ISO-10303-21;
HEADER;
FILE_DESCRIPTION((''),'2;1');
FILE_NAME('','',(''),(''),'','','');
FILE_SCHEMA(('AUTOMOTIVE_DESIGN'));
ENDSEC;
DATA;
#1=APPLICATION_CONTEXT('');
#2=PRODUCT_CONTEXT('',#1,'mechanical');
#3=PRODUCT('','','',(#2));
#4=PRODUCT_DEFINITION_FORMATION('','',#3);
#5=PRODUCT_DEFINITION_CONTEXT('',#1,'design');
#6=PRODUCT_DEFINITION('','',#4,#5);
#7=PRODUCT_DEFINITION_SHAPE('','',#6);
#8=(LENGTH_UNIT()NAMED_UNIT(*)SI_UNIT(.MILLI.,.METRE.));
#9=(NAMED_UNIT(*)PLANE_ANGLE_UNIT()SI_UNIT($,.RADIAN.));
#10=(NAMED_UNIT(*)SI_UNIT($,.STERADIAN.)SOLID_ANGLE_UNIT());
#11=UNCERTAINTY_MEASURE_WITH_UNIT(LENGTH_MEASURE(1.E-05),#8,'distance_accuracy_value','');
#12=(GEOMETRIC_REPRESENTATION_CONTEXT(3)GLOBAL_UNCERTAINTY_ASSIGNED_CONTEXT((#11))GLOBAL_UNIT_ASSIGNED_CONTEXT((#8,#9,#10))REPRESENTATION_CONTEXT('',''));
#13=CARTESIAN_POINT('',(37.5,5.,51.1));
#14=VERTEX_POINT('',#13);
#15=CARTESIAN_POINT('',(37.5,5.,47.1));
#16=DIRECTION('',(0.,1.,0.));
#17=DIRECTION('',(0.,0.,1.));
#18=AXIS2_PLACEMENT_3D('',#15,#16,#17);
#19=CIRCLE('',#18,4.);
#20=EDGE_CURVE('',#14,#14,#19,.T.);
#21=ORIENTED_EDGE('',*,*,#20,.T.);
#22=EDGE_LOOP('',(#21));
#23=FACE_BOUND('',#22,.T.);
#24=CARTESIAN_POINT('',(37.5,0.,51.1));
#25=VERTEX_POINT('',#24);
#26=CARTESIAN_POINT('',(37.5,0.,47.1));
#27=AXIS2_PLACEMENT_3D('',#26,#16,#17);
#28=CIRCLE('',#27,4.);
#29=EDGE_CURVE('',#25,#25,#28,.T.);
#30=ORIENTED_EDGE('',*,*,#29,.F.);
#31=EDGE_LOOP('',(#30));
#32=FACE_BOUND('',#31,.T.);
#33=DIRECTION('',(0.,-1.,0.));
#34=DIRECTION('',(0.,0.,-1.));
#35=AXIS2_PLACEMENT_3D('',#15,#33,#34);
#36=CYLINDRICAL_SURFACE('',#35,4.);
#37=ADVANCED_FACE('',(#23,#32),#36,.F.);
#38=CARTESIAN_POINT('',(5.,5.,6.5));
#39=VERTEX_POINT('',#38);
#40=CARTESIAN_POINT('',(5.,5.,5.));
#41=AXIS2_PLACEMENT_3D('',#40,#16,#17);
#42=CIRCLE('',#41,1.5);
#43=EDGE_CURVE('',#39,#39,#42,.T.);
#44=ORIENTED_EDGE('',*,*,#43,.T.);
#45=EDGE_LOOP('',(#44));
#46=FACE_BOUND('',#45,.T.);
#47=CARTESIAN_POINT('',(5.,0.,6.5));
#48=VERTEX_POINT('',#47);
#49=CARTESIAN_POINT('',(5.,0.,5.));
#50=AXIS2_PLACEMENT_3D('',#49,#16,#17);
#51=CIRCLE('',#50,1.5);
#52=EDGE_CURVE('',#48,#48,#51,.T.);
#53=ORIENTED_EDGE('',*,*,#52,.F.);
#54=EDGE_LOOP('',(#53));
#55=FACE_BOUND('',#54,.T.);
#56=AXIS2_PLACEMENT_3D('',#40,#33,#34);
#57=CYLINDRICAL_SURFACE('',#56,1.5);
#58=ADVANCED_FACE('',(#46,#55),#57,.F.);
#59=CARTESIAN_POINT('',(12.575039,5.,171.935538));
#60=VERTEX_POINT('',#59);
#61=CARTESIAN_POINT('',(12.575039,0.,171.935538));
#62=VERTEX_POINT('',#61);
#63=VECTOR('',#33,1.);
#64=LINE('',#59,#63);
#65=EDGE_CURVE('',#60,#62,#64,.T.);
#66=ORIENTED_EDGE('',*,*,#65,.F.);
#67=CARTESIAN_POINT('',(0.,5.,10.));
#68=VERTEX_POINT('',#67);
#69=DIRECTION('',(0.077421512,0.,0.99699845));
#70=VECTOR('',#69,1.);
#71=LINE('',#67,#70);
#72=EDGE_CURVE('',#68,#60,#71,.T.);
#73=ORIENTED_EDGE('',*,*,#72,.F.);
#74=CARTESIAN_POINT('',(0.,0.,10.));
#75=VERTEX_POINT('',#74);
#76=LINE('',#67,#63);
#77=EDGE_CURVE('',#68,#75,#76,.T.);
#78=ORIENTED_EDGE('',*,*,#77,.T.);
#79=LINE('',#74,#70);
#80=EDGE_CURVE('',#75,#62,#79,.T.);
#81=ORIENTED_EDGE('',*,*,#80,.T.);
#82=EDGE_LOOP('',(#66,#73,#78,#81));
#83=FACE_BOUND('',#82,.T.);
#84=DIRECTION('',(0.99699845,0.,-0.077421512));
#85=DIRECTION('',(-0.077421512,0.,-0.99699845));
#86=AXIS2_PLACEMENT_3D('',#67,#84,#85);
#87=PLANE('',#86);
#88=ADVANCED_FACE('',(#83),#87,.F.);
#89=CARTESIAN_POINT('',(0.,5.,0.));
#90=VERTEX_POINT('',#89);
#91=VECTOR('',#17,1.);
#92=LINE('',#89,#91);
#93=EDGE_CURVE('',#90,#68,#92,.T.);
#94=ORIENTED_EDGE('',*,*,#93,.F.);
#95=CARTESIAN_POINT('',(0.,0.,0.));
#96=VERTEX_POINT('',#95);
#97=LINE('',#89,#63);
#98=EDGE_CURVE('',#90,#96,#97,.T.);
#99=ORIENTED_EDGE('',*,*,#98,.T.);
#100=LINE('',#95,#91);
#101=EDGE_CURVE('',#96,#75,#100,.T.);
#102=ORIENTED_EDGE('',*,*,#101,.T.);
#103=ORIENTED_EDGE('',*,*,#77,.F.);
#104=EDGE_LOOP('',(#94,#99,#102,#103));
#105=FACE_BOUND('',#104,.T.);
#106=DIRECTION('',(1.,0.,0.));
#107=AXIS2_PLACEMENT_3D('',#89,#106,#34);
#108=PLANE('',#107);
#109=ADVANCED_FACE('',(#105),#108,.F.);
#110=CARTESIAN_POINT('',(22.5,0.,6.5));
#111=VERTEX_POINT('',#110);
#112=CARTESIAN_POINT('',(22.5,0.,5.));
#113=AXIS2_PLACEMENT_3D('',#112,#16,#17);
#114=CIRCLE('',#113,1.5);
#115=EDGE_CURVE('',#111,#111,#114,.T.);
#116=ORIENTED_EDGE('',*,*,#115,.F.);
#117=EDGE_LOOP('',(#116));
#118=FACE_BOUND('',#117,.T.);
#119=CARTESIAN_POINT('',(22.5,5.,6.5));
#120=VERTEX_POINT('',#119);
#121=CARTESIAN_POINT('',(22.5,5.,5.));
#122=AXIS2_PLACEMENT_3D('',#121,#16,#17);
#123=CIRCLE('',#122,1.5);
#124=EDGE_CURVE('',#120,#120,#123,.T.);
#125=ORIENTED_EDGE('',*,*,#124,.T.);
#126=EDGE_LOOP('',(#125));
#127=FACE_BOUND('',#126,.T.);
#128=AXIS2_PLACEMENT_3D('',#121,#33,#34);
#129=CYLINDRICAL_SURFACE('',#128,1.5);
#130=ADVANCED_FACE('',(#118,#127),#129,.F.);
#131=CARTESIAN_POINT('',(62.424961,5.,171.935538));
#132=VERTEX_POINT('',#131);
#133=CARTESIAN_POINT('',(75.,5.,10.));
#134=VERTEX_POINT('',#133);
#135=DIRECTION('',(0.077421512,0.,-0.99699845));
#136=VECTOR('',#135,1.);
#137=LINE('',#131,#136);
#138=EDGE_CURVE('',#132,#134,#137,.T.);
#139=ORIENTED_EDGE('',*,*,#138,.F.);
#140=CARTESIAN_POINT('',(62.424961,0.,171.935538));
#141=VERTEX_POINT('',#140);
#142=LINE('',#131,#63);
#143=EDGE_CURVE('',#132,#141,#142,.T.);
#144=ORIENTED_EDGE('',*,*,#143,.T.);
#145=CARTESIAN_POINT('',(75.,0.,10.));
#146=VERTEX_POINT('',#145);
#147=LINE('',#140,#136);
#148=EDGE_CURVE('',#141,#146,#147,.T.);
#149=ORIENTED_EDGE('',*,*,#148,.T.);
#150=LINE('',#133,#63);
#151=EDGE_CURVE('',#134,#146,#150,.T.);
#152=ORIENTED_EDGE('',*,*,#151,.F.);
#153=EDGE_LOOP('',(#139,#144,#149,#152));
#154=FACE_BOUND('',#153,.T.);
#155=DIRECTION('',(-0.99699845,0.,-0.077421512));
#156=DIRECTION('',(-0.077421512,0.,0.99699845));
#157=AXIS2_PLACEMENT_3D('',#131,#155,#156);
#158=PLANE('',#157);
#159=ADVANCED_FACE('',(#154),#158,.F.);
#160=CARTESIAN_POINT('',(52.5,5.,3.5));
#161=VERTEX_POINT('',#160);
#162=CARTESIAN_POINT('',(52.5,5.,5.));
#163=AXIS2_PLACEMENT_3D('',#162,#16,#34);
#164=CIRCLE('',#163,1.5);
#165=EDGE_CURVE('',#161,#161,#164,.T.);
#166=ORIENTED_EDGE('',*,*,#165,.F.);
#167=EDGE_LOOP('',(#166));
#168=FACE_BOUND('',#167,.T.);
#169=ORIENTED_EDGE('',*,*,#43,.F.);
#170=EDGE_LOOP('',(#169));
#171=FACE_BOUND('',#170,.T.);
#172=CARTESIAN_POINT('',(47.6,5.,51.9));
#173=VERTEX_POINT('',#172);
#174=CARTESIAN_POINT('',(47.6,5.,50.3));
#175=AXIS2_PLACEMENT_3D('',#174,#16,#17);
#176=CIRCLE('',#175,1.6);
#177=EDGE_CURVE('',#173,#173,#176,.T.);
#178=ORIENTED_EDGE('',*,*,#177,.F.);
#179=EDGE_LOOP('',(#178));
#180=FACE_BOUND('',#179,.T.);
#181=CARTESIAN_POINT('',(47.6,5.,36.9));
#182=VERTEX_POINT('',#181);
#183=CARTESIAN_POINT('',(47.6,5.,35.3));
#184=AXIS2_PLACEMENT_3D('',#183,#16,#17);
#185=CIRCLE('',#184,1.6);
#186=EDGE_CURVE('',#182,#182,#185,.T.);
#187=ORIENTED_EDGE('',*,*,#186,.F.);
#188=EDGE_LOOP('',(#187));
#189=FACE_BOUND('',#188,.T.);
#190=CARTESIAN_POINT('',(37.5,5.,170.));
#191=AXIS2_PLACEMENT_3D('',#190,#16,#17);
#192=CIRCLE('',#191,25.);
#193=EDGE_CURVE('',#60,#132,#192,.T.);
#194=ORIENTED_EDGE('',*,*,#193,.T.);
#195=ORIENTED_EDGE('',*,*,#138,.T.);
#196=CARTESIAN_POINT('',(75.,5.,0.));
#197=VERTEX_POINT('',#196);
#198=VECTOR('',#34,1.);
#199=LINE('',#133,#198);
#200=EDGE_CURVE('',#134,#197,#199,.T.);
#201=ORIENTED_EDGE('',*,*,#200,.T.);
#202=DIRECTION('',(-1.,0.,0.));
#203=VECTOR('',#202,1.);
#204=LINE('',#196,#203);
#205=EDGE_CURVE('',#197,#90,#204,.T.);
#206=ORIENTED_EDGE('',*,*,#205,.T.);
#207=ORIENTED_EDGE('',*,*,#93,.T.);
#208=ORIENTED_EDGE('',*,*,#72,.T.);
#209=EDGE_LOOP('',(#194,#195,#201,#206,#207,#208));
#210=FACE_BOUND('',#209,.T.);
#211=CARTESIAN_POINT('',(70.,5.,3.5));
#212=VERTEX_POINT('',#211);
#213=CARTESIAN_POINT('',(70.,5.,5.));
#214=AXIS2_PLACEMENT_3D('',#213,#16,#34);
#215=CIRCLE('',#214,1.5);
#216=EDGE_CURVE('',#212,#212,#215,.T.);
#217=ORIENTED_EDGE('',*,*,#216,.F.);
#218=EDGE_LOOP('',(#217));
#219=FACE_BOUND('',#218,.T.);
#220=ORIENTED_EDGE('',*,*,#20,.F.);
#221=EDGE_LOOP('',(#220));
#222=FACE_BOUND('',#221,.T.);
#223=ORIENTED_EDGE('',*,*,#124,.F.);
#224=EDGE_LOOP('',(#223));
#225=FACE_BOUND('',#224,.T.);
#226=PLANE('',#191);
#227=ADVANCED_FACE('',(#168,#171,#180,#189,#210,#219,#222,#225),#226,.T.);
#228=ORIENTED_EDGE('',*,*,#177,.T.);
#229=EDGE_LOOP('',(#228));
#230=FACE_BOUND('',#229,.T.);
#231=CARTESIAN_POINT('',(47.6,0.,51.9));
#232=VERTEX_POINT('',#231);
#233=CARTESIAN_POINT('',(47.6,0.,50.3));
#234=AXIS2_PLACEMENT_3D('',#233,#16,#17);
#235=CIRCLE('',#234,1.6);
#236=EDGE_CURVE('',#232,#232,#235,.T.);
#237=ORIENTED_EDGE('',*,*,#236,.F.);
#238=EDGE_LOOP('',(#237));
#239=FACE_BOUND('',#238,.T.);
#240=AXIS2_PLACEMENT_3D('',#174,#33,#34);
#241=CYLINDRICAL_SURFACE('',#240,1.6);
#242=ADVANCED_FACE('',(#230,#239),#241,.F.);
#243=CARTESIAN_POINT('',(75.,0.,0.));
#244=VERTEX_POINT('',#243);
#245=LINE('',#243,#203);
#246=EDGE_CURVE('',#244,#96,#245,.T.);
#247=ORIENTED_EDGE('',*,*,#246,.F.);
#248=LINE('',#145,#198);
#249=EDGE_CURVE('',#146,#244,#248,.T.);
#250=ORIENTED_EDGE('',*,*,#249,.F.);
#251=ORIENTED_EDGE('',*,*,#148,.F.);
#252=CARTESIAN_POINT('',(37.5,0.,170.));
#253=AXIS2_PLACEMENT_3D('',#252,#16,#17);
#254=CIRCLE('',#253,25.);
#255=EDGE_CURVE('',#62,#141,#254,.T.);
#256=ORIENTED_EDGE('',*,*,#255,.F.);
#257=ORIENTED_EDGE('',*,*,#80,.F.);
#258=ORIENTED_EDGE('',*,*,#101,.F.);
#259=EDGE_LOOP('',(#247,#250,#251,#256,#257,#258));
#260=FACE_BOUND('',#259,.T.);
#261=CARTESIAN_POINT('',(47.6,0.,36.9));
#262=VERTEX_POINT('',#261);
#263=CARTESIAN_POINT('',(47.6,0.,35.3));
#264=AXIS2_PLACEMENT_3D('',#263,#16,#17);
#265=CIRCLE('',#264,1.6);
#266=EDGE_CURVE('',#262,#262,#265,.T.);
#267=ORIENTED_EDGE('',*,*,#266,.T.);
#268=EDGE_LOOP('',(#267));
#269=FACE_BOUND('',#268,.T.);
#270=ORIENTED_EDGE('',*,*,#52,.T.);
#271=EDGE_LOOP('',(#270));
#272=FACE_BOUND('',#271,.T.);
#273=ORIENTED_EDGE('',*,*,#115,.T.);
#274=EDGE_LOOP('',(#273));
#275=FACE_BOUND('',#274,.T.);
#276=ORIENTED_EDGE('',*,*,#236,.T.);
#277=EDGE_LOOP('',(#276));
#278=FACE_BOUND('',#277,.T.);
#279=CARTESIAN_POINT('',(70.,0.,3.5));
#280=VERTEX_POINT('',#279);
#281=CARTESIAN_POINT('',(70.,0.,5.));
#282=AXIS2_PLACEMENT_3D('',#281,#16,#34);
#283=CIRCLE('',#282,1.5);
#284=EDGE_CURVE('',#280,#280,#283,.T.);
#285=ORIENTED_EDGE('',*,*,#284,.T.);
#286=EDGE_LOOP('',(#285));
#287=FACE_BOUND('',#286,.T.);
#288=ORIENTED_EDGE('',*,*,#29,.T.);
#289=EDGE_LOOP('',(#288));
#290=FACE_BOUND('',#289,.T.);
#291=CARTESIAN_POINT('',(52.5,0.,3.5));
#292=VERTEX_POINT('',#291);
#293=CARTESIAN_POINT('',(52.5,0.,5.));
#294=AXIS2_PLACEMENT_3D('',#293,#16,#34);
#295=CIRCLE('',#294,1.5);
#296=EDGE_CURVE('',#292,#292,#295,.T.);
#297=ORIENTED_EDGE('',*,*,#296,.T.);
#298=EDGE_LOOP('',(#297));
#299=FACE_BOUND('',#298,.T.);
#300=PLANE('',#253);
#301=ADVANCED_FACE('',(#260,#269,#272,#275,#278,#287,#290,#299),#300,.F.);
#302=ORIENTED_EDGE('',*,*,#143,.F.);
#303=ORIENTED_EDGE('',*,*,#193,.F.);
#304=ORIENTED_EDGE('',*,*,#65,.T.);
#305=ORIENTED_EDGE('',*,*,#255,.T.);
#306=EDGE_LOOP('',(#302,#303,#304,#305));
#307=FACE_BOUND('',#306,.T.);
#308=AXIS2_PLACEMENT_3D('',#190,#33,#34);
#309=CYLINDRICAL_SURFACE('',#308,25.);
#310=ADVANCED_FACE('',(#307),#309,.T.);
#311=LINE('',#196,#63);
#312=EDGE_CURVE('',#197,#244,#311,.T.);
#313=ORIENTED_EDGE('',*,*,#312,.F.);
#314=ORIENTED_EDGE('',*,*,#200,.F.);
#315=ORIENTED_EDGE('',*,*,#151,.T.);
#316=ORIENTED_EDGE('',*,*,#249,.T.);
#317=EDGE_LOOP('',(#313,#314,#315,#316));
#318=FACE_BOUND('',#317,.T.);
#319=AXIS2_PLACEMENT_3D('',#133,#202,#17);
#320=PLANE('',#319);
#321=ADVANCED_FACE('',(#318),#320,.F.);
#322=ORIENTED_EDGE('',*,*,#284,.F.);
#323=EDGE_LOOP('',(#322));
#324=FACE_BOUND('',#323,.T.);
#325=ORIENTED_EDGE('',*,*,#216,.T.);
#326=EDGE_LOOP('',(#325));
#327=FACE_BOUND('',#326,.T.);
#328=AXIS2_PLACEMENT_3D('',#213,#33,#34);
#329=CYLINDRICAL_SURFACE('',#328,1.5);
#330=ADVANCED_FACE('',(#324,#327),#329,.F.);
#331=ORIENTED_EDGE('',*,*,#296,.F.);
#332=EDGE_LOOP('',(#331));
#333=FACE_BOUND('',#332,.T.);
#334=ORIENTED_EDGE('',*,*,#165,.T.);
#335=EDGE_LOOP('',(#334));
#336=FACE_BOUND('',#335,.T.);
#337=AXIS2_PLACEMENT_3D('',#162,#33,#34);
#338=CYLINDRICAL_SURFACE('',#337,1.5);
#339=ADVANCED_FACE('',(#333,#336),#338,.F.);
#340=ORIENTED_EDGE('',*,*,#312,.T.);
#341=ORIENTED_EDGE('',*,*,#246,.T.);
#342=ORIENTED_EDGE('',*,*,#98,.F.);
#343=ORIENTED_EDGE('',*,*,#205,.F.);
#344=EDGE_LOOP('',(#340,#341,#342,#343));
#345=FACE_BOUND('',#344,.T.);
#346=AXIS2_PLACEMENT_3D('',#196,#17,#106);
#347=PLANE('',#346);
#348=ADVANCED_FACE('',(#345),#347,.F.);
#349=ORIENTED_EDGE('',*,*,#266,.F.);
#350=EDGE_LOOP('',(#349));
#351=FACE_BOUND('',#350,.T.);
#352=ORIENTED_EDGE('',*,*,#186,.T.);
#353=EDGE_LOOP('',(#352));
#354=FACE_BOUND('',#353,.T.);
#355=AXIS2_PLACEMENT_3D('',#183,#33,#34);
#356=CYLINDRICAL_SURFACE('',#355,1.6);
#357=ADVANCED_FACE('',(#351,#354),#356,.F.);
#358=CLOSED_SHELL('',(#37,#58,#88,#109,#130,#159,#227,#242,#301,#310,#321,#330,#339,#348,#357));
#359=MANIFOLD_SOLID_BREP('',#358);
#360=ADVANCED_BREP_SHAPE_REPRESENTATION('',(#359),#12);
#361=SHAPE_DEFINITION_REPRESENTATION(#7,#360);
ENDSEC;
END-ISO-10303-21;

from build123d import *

# Parameters (mm, degrees)
SKETCH_1_R      = 1.5
SKETCH_1_R_2    = 4
SKETCH_1_R_3    = 1.6
EXTRUDE_1_DEPTH = 5


with BuildPart() as part:
    # ｽｹｯﾁ1 → ﾎﾞｽ - 押し出し1 (new body)
    with BuildSketch(Plane(origin=(0, 0, 0), x_dir=(1, 0, 0), z_dir=(0, 1, 0))):
        with BuildLine():
            Line((0, 0), (0, -10))
            Line((0, -10), (12.575038747, -171.935537794))
            ThreePointArc((12.575038747, -171.935537794), (37.5, -195), (62.424961253, -171.935537794))
            Line((62.424961253, -171.935537794), (75, -10))
            Line((75, -10), (75, 0))
            Line((75, 0), (0, 0))
        make_face()
        with Locations(Location((5, -5, 0), (0, 0, 270))):
            Circle(SKETCH_1_R, mode=Mode.SUBTRACT)
        with Locations(Location((70, -5, 0), (0, 0, 90))):
            Circle(SKETCH_1_R, mode=Mode.SUBTRACT)
        with Locations(Location((22.5, -5, 0), (0, 0, 270))):
            Circle(SKETCH_1_R, mode=Mode.SUBTRACT)
        with Locations(Location((52.5, -5, 0), (0, 0, 90))):
            Circle(SKETCH_1_R, mode=Mode.SUBTRACT)
        with Locations(Location((37.5, -47.1, 0), (0, 0, 270))):
            Circle(SKETCH_1_R_2, mode=Mode.SUBTRACT)
        with Locations(Location((47.6, -35.3, 0), (0, 0, 270))):
            Circle(SKETCH_1_R_3, mode=Mode.SUBTRACT)
        with Locations(Location((47.6, -50.3, 0), (0, 0, 270))):
            Circle(SKETCH_1_R_3, mode=Mode.SUBTRACT)
    extrude(amount=EXTRUDE_1_DEPTH)


solid = part.part
